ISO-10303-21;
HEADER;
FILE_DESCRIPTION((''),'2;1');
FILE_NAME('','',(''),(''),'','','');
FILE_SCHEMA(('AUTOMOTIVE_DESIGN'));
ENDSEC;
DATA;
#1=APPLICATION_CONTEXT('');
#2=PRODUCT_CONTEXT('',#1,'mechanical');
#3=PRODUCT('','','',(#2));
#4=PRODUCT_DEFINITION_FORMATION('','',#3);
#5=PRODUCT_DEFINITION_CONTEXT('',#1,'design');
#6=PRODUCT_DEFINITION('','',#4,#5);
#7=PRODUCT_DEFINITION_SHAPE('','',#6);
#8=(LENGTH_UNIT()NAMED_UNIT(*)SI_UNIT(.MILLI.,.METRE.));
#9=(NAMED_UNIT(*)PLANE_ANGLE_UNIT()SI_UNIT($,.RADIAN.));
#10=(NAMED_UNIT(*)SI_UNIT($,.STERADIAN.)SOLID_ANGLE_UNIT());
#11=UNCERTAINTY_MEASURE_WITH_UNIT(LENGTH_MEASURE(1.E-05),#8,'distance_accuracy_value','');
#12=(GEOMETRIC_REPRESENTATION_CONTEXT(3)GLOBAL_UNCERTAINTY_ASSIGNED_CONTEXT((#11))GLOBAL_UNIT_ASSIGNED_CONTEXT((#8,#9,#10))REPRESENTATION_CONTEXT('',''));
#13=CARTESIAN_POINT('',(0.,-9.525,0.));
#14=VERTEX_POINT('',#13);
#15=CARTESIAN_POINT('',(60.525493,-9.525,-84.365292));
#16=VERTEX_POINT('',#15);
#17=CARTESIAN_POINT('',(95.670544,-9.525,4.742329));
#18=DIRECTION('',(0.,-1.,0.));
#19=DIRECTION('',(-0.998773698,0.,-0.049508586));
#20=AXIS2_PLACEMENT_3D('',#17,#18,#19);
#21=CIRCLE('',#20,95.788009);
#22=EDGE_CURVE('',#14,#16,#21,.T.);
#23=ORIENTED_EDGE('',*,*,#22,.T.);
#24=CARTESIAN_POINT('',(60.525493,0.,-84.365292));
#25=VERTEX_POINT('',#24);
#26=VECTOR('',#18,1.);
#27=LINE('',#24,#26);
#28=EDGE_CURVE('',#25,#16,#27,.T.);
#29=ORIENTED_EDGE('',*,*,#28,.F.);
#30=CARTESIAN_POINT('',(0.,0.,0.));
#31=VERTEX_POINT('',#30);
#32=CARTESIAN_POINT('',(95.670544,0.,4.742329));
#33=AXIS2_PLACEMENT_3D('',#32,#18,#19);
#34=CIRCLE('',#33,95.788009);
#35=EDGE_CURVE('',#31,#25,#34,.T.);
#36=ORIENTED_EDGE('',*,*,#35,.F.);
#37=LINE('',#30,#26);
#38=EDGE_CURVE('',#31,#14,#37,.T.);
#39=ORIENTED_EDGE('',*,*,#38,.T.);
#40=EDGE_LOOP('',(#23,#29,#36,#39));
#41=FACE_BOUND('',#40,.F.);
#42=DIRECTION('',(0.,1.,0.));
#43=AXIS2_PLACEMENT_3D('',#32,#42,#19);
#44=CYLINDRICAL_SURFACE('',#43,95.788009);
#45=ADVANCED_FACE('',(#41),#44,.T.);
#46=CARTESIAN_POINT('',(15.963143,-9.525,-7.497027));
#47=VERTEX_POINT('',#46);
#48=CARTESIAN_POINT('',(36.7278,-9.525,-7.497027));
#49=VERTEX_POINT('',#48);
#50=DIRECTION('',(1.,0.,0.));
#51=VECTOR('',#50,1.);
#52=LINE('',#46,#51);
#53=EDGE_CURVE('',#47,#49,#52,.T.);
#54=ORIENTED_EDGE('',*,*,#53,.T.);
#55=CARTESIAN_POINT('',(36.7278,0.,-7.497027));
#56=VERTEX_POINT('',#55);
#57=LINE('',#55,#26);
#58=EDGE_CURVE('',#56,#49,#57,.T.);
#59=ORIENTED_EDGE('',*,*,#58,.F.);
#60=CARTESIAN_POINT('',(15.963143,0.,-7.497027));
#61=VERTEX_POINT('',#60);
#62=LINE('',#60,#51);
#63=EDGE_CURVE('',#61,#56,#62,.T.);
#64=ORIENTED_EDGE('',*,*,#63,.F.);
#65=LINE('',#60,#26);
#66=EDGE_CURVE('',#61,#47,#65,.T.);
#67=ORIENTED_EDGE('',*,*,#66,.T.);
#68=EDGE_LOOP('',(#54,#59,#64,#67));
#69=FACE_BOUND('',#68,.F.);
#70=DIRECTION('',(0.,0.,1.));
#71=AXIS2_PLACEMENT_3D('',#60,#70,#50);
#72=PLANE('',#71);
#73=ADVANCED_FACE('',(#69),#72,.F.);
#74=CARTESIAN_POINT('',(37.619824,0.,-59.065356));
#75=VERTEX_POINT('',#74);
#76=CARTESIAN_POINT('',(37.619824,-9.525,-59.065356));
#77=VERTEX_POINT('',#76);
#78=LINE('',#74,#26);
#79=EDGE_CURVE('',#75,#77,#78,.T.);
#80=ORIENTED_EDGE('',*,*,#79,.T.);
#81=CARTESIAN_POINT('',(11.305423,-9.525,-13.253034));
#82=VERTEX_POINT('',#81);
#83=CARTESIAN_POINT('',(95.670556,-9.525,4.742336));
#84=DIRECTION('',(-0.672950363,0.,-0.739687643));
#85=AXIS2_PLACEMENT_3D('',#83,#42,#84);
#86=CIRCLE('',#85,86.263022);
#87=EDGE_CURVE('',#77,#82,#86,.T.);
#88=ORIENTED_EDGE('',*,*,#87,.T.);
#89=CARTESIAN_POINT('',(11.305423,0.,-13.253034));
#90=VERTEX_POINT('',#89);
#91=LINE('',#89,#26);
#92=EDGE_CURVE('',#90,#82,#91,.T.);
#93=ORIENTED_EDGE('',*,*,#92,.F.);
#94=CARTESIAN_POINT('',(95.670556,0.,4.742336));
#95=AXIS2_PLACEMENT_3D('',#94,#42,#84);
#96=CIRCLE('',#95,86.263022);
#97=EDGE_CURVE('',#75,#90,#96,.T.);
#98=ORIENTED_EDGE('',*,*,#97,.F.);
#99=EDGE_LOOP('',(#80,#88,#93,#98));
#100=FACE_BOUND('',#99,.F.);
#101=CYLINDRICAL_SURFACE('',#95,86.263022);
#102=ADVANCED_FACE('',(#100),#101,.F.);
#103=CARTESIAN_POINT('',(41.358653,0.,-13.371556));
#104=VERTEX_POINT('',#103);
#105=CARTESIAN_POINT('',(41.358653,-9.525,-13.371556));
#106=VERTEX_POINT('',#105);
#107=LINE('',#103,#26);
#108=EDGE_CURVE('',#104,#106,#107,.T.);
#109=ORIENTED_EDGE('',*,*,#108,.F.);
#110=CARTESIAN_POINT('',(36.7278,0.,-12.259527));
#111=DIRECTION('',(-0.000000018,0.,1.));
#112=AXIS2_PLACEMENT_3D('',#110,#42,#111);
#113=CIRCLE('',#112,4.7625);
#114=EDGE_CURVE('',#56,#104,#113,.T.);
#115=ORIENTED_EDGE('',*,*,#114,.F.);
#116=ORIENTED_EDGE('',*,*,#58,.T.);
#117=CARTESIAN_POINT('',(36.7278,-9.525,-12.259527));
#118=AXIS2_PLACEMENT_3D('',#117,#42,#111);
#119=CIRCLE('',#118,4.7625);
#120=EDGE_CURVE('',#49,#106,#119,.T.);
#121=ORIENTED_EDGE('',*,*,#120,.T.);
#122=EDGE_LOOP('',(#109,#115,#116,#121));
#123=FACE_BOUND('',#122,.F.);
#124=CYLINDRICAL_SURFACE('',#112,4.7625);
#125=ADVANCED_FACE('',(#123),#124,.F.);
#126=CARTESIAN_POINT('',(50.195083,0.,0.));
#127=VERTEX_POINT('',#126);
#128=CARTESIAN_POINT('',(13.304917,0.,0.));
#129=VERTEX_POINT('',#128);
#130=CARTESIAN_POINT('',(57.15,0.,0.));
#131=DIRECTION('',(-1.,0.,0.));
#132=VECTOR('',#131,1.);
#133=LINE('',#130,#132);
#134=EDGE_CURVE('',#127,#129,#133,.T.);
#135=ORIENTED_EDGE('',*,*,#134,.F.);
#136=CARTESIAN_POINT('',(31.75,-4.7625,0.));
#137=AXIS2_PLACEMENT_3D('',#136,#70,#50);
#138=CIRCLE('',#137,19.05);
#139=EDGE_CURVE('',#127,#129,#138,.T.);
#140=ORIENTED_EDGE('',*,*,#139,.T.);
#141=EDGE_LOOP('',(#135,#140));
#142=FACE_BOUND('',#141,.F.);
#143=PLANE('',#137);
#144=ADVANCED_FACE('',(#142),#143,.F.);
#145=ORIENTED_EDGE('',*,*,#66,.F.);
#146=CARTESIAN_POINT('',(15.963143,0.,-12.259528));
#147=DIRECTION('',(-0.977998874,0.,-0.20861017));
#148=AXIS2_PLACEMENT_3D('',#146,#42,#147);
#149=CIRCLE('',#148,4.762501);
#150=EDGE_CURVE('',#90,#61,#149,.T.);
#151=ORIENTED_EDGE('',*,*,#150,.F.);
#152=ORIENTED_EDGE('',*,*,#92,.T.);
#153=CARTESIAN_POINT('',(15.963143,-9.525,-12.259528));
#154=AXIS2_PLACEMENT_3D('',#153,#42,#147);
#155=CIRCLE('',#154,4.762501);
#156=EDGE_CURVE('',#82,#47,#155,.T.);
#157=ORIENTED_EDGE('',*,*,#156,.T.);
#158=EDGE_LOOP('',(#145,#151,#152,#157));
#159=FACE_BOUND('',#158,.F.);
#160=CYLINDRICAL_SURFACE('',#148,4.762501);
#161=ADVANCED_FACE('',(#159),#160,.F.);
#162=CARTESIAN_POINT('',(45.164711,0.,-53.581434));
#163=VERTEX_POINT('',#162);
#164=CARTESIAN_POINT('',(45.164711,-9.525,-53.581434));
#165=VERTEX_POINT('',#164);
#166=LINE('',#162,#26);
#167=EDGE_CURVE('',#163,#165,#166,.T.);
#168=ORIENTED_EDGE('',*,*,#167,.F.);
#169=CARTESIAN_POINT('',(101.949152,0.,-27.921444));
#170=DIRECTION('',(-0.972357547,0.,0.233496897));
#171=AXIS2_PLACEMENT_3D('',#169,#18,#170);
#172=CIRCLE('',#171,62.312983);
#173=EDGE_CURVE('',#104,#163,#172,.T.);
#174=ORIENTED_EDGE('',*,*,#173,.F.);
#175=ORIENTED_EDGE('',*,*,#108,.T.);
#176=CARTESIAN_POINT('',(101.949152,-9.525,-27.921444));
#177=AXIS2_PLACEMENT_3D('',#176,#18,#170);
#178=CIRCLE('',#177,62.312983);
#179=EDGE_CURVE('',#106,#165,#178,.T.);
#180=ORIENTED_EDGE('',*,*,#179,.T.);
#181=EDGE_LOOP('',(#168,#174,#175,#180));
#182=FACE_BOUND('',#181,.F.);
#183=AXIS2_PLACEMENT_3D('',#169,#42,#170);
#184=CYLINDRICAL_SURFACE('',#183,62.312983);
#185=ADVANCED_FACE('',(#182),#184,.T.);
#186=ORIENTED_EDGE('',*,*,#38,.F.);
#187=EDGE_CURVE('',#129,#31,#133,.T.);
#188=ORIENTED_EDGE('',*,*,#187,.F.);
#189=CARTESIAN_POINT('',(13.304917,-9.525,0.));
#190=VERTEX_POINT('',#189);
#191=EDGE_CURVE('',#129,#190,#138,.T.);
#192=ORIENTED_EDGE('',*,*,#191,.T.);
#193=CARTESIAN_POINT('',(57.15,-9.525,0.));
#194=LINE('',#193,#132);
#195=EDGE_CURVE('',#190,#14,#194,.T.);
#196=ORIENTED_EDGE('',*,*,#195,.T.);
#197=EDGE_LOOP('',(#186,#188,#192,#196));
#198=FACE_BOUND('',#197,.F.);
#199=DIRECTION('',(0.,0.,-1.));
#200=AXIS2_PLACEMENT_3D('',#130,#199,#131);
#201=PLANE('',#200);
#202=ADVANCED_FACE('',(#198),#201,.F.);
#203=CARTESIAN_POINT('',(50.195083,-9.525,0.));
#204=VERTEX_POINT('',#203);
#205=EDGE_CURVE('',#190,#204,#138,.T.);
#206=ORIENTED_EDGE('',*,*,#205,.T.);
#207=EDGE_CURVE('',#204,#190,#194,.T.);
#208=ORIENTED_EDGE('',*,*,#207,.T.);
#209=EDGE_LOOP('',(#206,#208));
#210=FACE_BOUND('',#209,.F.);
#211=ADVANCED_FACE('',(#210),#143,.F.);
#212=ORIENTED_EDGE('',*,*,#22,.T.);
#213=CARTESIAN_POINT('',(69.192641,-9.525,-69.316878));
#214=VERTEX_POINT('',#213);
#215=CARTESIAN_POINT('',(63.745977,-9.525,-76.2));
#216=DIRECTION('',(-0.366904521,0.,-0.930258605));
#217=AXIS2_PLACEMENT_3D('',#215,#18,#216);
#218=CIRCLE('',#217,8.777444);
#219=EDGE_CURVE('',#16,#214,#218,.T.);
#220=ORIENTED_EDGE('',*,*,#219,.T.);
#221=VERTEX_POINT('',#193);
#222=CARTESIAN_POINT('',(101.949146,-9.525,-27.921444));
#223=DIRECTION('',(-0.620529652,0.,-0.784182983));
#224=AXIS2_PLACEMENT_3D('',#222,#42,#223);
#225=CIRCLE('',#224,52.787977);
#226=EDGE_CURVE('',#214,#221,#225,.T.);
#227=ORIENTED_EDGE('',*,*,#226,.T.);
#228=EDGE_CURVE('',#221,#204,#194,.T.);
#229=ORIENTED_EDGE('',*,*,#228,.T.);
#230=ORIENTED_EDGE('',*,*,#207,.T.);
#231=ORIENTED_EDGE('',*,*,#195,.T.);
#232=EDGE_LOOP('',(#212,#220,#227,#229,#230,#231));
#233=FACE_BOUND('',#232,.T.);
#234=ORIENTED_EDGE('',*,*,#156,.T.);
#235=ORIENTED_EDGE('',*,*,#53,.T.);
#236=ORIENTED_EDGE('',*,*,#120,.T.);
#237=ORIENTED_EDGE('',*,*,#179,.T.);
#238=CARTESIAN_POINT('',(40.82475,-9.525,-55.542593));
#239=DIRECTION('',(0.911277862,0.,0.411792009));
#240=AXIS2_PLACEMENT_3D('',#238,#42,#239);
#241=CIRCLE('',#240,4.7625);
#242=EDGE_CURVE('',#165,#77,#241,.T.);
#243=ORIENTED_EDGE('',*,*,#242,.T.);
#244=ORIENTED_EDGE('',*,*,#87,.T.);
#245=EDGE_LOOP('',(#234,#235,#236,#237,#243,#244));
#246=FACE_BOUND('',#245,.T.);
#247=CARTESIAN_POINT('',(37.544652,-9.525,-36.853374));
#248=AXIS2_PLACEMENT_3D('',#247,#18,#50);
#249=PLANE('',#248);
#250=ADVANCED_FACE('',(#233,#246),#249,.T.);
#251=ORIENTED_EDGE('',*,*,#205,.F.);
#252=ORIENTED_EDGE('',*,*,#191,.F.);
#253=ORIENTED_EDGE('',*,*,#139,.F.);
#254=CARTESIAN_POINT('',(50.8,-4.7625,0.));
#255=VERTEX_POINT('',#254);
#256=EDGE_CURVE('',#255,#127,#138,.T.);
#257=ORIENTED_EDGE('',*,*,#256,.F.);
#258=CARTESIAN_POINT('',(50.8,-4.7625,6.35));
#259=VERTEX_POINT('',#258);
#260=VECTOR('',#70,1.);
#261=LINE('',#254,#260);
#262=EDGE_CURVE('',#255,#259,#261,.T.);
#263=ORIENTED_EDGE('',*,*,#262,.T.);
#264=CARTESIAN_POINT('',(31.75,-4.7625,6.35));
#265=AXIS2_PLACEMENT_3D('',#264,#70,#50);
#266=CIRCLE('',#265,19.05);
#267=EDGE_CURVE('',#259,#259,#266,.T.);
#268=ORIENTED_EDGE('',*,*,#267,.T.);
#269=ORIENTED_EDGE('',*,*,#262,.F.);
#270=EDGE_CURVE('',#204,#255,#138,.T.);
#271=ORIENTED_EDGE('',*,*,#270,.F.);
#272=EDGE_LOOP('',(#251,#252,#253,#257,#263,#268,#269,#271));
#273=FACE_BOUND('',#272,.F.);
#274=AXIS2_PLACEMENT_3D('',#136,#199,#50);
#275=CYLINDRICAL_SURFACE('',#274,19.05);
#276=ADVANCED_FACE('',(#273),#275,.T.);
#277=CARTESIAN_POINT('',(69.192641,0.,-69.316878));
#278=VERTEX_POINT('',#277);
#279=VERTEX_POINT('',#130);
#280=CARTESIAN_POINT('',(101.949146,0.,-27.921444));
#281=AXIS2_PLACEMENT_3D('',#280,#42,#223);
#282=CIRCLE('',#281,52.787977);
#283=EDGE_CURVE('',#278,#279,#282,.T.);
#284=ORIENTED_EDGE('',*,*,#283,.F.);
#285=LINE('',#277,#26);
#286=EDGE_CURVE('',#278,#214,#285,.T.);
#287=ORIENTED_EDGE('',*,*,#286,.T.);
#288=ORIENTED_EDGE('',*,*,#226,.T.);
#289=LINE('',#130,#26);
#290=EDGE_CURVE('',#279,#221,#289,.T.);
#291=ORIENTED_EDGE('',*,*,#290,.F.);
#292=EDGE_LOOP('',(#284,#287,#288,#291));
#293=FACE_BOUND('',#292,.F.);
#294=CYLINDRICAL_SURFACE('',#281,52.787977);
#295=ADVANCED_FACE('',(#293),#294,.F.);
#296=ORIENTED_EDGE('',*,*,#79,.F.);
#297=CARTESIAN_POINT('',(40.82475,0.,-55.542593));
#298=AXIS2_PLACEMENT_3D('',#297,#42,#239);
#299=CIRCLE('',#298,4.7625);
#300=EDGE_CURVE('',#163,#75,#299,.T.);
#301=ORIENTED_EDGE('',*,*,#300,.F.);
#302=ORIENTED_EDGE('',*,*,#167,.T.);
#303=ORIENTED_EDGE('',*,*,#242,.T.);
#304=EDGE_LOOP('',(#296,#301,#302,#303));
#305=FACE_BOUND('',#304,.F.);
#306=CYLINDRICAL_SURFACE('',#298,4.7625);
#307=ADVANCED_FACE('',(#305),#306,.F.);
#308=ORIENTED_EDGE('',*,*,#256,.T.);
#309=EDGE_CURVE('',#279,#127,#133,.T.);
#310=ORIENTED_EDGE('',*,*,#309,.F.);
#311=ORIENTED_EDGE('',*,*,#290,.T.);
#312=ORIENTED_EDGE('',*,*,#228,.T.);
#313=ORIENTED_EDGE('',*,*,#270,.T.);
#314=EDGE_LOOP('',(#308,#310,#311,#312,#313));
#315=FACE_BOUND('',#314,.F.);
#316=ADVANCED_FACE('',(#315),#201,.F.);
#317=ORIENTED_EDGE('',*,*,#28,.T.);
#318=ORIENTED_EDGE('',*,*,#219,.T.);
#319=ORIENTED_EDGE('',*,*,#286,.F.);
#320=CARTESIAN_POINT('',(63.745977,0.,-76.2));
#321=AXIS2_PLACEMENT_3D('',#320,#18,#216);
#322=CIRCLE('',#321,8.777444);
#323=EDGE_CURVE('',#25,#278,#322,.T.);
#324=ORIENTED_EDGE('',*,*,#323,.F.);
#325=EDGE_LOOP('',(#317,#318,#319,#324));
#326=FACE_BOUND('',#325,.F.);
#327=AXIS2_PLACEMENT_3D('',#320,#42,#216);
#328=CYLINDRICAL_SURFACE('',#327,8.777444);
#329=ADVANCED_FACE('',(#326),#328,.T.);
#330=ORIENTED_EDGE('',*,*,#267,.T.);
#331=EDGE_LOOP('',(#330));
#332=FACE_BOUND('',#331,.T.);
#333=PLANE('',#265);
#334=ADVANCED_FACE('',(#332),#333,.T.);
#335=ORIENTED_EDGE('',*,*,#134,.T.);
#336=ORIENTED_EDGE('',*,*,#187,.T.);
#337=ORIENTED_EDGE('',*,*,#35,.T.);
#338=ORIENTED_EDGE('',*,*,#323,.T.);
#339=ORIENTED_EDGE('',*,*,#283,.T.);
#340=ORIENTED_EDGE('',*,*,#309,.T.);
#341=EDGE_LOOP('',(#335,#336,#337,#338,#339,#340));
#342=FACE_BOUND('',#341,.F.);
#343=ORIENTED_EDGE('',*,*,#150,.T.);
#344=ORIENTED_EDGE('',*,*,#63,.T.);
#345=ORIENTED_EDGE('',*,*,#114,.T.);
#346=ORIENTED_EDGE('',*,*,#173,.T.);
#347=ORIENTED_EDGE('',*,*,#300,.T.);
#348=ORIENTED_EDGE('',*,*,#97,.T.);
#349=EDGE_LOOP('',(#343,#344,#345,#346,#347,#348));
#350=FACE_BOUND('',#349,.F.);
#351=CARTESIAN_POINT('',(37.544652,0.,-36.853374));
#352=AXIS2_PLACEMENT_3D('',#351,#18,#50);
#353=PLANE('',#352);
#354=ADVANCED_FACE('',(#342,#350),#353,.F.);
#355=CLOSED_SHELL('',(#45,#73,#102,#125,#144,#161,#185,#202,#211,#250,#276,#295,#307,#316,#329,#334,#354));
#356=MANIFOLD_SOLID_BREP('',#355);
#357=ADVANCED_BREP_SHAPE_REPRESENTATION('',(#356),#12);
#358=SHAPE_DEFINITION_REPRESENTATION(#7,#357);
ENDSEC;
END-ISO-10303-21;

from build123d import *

# Parameters (mm, degrees)
F1_DEPTH = 9.525
F3_R     = 19.05
F4_DEPTH = 6.35


with BuildPart() as f1:
    # F0 (on Front) → F1 (new body)
    with BuildSketch(Plane.XZ):
        with BuildLine():
            Line((57.15, 0), (0, 0))
            ThreePointArc((0, 0), (17.840244, -51.094819), (60.525493, -84.365292))
            ThreePointArc((60.525493, -84.365292), (71.35207, -80.580737), (69.192641, -69.316878))
            ThreePointArc((69.192641, -69.316878), (49.940232, -36.957118), (57.15, 0))
        make_face()
        with BuildLine():
            ThreePointArc((11.305423, -13.253034), (12.260915, -9.263711), (15.963143, -7.497027))
            Line((15.963143, -7.497027), (36.7278, -7.497027))
            ThreePointArc((36.7278, -7.497027), (40.46795, -9.311191), (41.358653, -13.371556))
            ThreePointArc((41.358653, -13.371556), (39.913455, -33.793421), (45.164711, -53.581434))
            ThreePointArc((45.164711, -53.581434), (43.624826, -59.394993), (37.619824, -59.065356))
            ThreePointArc((37.619824, -59.065356), (20.869073, -38.223315), (11.305423, -13.253034))
        make_face(mode=Mode.SUBTRACT)
    extrude(amount=F1_DEPTH)

    # F3 (on face) → F4 (join)
    with BuildSketch(Plane.XY):
        with Locations((31.75, -4.7625)):
            Circle(F3_R)
    extrude(amount=F4_DEPTH)


solid = f1.part
